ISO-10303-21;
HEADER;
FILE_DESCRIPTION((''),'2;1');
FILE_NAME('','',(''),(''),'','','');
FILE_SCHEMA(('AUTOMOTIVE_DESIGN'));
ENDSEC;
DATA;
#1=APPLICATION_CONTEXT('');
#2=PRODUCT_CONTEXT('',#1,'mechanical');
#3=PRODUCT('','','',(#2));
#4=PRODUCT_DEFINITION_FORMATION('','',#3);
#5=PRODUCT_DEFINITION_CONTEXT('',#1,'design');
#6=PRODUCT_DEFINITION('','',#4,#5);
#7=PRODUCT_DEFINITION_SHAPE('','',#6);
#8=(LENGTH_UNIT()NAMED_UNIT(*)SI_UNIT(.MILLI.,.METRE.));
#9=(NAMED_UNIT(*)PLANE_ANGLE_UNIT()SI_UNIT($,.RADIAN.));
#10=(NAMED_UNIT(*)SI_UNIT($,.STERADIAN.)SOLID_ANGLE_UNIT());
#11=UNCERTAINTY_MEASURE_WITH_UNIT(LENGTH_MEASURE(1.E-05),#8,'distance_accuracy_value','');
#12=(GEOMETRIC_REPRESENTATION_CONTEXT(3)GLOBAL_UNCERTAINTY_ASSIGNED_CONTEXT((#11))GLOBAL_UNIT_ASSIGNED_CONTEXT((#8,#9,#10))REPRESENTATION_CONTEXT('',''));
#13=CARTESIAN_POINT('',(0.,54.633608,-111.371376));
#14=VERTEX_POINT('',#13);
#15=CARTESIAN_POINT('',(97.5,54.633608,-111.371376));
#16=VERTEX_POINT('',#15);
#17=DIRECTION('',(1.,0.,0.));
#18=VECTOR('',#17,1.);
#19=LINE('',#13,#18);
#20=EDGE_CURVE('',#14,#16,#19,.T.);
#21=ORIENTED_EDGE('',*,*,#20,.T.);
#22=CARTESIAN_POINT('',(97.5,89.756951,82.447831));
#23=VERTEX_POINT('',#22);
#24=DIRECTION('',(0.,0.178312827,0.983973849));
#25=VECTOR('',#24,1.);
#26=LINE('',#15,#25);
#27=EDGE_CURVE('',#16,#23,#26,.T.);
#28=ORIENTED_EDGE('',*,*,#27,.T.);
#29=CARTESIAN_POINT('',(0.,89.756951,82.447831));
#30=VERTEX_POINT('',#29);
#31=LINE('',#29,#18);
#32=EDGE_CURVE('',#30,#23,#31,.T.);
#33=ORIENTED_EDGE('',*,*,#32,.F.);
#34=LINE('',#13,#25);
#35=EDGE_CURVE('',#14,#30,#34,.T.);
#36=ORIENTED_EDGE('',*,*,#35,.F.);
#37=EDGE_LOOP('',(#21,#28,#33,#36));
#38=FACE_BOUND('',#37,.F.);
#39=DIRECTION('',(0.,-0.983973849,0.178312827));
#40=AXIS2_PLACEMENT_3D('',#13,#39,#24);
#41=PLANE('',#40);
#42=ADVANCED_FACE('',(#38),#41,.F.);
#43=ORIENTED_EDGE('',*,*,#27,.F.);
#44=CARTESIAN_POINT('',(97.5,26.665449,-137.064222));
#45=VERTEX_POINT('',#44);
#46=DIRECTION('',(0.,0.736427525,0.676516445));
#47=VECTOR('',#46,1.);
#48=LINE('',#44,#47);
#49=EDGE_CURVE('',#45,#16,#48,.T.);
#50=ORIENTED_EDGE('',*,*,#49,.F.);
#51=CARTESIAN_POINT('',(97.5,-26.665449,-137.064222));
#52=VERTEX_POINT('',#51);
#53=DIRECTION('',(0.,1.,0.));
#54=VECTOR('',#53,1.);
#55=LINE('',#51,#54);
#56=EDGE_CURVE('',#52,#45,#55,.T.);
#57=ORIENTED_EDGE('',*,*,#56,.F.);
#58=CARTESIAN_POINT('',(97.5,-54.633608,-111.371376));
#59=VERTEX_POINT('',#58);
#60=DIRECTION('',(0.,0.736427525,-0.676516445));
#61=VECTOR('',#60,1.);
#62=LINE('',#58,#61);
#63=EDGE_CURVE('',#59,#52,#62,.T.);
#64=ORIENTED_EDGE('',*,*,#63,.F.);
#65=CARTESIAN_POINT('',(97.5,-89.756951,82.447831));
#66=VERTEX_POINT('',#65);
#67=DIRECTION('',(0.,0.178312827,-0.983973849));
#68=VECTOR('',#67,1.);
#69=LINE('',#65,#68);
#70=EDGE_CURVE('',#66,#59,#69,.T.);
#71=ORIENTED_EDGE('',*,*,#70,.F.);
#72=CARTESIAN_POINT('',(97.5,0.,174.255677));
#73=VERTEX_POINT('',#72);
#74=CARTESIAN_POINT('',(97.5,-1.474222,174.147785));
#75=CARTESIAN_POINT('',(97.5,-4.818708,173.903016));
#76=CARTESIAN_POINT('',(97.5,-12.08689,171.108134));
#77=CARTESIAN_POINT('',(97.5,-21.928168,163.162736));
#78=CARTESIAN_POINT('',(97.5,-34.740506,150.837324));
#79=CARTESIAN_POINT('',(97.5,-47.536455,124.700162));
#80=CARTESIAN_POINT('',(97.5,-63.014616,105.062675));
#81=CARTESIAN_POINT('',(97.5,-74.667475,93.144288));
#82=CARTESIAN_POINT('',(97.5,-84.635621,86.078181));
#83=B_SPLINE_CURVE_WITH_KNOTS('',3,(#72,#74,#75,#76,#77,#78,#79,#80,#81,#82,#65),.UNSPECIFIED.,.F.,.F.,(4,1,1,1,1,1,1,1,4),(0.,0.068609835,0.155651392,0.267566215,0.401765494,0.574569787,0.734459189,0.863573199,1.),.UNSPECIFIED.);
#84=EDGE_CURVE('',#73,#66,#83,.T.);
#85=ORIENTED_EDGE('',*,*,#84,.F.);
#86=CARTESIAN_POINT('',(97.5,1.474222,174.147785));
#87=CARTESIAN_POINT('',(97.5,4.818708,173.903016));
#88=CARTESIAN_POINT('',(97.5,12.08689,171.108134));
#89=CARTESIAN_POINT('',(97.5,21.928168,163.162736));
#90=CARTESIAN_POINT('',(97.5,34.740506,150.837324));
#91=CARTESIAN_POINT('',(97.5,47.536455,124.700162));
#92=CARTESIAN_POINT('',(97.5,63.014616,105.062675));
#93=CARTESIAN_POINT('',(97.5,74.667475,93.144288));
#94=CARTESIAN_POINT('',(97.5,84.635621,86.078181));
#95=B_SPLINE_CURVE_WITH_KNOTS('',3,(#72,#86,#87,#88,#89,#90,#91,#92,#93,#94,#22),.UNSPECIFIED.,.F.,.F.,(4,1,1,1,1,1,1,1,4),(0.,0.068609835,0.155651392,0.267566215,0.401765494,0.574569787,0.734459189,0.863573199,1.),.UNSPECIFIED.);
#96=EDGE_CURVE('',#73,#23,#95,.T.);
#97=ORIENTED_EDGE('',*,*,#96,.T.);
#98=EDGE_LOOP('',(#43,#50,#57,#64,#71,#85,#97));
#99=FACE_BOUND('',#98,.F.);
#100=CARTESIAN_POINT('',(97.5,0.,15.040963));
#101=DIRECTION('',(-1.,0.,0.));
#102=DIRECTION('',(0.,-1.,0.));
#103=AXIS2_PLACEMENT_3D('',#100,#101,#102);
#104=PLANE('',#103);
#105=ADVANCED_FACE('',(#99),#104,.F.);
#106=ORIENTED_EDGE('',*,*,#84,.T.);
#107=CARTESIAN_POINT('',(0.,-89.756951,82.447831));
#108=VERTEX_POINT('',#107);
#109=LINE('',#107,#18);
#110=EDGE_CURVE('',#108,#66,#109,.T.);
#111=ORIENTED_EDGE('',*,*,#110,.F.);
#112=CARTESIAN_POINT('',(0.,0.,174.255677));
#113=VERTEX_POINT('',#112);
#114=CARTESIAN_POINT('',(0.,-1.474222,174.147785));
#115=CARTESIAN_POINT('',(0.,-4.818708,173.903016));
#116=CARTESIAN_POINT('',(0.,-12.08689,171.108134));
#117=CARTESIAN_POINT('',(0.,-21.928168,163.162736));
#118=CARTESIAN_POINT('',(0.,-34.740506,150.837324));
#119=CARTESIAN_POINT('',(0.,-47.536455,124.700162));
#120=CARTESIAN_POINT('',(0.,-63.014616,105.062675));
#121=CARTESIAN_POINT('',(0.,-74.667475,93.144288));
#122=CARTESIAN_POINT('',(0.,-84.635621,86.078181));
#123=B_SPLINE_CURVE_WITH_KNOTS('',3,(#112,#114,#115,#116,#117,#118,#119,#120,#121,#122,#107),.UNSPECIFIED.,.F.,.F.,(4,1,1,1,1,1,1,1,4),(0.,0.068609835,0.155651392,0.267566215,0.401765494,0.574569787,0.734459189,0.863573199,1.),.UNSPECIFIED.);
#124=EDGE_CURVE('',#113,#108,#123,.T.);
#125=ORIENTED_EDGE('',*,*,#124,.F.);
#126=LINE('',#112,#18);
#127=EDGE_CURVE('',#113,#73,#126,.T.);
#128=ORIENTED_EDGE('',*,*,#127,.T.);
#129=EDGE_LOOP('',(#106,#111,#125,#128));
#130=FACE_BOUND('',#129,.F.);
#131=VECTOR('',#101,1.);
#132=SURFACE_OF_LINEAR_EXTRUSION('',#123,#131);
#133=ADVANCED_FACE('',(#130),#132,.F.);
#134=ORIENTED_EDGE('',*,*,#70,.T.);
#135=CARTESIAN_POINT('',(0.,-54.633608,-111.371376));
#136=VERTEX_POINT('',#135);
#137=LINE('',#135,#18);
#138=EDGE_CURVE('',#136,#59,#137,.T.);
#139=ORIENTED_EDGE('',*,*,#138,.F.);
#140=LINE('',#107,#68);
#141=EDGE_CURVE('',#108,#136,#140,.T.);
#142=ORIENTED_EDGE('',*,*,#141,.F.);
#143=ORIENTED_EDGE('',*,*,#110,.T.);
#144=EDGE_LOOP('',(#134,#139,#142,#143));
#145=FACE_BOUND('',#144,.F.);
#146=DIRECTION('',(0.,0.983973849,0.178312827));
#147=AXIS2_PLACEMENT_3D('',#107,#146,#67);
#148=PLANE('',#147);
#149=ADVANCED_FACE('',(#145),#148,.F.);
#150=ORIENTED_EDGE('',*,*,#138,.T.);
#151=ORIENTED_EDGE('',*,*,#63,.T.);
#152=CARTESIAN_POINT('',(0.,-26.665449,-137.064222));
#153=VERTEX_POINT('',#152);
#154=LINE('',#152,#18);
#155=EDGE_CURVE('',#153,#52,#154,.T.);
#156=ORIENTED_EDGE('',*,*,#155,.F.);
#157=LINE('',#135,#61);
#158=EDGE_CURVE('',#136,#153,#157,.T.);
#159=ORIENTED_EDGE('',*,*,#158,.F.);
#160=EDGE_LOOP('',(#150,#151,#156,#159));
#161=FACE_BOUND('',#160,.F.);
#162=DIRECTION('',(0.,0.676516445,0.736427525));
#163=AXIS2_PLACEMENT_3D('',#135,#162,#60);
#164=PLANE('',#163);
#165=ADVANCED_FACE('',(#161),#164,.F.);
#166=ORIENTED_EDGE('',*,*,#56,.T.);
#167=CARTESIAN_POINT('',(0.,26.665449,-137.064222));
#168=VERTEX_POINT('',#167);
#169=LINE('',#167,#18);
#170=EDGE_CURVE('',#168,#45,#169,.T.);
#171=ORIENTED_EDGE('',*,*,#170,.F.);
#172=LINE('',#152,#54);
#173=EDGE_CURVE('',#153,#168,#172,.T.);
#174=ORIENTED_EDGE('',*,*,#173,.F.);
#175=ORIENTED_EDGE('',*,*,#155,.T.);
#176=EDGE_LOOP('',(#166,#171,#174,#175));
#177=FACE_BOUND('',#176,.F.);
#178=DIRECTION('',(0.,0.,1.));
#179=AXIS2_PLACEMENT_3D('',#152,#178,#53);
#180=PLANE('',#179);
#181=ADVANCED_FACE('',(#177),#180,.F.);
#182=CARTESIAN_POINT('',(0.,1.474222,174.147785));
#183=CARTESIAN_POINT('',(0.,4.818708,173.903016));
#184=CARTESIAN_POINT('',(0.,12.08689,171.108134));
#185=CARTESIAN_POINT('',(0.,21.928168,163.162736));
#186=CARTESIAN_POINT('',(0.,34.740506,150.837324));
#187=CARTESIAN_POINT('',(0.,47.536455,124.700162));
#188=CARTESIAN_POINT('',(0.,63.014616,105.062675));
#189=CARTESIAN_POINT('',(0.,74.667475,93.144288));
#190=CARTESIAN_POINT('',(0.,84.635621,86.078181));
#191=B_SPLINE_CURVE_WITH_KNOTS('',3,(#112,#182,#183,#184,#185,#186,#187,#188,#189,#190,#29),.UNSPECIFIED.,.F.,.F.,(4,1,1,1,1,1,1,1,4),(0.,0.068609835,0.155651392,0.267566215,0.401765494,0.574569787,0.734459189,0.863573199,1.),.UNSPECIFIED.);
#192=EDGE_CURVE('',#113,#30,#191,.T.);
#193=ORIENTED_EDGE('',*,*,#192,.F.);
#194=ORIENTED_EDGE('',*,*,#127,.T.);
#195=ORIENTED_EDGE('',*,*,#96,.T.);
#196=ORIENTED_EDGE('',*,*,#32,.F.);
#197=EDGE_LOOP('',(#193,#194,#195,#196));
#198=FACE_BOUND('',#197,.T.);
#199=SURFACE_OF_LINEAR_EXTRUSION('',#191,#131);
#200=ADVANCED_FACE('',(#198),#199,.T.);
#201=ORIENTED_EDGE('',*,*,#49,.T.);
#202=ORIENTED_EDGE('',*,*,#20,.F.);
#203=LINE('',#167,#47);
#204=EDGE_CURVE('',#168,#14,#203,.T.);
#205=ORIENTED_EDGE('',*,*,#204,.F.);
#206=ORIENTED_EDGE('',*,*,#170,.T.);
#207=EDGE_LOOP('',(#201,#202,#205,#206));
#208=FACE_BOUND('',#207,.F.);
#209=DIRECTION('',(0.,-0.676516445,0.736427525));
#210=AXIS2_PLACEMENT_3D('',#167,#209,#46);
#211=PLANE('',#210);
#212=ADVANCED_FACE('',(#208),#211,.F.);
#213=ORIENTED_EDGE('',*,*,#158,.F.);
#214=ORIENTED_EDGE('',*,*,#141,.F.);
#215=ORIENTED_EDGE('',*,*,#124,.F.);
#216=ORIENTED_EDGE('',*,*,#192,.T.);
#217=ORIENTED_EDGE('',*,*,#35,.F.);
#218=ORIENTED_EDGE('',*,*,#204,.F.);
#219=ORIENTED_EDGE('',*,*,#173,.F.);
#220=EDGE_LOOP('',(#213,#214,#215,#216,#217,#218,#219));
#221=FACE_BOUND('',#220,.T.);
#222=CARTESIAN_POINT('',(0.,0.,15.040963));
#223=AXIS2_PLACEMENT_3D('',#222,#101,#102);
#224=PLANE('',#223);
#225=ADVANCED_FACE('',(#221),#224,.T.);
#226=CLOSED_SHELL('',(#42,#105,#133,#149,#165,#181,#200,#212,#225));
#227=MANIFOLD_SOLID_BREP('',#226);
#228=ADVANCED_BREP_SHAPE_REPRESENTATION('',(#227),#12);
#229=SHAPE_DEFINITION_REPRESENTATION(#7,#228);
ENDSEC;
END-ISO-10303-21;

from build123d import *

# Parameters (mm, degrees)
F1_DEPTH = 65
F2_SCALE = 1.5


with BuildPart() as f1:
    # F0 (on Right) → F1 (new body)
    with BuildSketch(Plane.YZ):
        with BuildLine():
            add(Edge.make_bspline(
                [(0, 116.170451045), (0.9828145316, 116.098523156), (3.2124722619, 115.9353442766), (8.0579268571, 114.0720893794), (14.6187789397, 108.775157515), (23.1603373895, 100.5582162883), (31.6909696821, 83.1334415189), (42.0097439258, 70.0417832015), (49.7783168483, 62.0961919241), (56.4237470409, 57.3854542674), (59.8379671574, 54.9652203918)],
                knots=[0, 0, 0, 0, 0.0686098354, 0.155651392, 0.2675662145, 0.4017654935, 0.5745697868, 0.7344591888, 0.8635731995, 1, 1, 1, 1], degree=3))
            add(Edge.make_bspline(
                [(0, 116.170451045), (-0.9828145316, 116.098523156), (-3.2124722619, 115.9353442766), (-8.0579268571, 114.0720893794), (-14.6187789397, 108.775157515), (-23.1603373895, 100.5582162883), (-31.6909696821, 83.1334415189), (-42.0097439258, 70.0417832015), (-49.7783168483, 62.0961919241), (-56.4237470409, 57.3854542674), (-59.8379671574, 54.9652203918)],
                knots=[0, 0, 0, 0, 0.0686098354, 0.155651392, 0.2675662145, 0.4017654935, 0.5745697868, 0.7344591888, 0.8635731995, 1, 1, 1, 1], degree=3))
            Line((-59.8379671574, 54.9652203918), (-36.4224053919, -74.2475837469))
            Line((-36.4224053919, -74.2475837469), (-17.776966095, -91.3761481643))
            Line((-17.776966095, -91.3761481643), (0, -91.3761481643))
            Line((0, -91.3761481643), (17.776966095, -91.3761481643))
            Line((17.776966095, -91.3761481643), (36.4224053919, -74.2475837469))
            Line((36.4224053919, -74.2475837469), (59.8379671574, 54.9652203918))
        make_face()
    extrude(amount=F1_DEPTH)


with BuildPart() as f1_1:
    # F2: moved
    add(f1.part.scale(F2_SCALE))


solid = f1_1.part
